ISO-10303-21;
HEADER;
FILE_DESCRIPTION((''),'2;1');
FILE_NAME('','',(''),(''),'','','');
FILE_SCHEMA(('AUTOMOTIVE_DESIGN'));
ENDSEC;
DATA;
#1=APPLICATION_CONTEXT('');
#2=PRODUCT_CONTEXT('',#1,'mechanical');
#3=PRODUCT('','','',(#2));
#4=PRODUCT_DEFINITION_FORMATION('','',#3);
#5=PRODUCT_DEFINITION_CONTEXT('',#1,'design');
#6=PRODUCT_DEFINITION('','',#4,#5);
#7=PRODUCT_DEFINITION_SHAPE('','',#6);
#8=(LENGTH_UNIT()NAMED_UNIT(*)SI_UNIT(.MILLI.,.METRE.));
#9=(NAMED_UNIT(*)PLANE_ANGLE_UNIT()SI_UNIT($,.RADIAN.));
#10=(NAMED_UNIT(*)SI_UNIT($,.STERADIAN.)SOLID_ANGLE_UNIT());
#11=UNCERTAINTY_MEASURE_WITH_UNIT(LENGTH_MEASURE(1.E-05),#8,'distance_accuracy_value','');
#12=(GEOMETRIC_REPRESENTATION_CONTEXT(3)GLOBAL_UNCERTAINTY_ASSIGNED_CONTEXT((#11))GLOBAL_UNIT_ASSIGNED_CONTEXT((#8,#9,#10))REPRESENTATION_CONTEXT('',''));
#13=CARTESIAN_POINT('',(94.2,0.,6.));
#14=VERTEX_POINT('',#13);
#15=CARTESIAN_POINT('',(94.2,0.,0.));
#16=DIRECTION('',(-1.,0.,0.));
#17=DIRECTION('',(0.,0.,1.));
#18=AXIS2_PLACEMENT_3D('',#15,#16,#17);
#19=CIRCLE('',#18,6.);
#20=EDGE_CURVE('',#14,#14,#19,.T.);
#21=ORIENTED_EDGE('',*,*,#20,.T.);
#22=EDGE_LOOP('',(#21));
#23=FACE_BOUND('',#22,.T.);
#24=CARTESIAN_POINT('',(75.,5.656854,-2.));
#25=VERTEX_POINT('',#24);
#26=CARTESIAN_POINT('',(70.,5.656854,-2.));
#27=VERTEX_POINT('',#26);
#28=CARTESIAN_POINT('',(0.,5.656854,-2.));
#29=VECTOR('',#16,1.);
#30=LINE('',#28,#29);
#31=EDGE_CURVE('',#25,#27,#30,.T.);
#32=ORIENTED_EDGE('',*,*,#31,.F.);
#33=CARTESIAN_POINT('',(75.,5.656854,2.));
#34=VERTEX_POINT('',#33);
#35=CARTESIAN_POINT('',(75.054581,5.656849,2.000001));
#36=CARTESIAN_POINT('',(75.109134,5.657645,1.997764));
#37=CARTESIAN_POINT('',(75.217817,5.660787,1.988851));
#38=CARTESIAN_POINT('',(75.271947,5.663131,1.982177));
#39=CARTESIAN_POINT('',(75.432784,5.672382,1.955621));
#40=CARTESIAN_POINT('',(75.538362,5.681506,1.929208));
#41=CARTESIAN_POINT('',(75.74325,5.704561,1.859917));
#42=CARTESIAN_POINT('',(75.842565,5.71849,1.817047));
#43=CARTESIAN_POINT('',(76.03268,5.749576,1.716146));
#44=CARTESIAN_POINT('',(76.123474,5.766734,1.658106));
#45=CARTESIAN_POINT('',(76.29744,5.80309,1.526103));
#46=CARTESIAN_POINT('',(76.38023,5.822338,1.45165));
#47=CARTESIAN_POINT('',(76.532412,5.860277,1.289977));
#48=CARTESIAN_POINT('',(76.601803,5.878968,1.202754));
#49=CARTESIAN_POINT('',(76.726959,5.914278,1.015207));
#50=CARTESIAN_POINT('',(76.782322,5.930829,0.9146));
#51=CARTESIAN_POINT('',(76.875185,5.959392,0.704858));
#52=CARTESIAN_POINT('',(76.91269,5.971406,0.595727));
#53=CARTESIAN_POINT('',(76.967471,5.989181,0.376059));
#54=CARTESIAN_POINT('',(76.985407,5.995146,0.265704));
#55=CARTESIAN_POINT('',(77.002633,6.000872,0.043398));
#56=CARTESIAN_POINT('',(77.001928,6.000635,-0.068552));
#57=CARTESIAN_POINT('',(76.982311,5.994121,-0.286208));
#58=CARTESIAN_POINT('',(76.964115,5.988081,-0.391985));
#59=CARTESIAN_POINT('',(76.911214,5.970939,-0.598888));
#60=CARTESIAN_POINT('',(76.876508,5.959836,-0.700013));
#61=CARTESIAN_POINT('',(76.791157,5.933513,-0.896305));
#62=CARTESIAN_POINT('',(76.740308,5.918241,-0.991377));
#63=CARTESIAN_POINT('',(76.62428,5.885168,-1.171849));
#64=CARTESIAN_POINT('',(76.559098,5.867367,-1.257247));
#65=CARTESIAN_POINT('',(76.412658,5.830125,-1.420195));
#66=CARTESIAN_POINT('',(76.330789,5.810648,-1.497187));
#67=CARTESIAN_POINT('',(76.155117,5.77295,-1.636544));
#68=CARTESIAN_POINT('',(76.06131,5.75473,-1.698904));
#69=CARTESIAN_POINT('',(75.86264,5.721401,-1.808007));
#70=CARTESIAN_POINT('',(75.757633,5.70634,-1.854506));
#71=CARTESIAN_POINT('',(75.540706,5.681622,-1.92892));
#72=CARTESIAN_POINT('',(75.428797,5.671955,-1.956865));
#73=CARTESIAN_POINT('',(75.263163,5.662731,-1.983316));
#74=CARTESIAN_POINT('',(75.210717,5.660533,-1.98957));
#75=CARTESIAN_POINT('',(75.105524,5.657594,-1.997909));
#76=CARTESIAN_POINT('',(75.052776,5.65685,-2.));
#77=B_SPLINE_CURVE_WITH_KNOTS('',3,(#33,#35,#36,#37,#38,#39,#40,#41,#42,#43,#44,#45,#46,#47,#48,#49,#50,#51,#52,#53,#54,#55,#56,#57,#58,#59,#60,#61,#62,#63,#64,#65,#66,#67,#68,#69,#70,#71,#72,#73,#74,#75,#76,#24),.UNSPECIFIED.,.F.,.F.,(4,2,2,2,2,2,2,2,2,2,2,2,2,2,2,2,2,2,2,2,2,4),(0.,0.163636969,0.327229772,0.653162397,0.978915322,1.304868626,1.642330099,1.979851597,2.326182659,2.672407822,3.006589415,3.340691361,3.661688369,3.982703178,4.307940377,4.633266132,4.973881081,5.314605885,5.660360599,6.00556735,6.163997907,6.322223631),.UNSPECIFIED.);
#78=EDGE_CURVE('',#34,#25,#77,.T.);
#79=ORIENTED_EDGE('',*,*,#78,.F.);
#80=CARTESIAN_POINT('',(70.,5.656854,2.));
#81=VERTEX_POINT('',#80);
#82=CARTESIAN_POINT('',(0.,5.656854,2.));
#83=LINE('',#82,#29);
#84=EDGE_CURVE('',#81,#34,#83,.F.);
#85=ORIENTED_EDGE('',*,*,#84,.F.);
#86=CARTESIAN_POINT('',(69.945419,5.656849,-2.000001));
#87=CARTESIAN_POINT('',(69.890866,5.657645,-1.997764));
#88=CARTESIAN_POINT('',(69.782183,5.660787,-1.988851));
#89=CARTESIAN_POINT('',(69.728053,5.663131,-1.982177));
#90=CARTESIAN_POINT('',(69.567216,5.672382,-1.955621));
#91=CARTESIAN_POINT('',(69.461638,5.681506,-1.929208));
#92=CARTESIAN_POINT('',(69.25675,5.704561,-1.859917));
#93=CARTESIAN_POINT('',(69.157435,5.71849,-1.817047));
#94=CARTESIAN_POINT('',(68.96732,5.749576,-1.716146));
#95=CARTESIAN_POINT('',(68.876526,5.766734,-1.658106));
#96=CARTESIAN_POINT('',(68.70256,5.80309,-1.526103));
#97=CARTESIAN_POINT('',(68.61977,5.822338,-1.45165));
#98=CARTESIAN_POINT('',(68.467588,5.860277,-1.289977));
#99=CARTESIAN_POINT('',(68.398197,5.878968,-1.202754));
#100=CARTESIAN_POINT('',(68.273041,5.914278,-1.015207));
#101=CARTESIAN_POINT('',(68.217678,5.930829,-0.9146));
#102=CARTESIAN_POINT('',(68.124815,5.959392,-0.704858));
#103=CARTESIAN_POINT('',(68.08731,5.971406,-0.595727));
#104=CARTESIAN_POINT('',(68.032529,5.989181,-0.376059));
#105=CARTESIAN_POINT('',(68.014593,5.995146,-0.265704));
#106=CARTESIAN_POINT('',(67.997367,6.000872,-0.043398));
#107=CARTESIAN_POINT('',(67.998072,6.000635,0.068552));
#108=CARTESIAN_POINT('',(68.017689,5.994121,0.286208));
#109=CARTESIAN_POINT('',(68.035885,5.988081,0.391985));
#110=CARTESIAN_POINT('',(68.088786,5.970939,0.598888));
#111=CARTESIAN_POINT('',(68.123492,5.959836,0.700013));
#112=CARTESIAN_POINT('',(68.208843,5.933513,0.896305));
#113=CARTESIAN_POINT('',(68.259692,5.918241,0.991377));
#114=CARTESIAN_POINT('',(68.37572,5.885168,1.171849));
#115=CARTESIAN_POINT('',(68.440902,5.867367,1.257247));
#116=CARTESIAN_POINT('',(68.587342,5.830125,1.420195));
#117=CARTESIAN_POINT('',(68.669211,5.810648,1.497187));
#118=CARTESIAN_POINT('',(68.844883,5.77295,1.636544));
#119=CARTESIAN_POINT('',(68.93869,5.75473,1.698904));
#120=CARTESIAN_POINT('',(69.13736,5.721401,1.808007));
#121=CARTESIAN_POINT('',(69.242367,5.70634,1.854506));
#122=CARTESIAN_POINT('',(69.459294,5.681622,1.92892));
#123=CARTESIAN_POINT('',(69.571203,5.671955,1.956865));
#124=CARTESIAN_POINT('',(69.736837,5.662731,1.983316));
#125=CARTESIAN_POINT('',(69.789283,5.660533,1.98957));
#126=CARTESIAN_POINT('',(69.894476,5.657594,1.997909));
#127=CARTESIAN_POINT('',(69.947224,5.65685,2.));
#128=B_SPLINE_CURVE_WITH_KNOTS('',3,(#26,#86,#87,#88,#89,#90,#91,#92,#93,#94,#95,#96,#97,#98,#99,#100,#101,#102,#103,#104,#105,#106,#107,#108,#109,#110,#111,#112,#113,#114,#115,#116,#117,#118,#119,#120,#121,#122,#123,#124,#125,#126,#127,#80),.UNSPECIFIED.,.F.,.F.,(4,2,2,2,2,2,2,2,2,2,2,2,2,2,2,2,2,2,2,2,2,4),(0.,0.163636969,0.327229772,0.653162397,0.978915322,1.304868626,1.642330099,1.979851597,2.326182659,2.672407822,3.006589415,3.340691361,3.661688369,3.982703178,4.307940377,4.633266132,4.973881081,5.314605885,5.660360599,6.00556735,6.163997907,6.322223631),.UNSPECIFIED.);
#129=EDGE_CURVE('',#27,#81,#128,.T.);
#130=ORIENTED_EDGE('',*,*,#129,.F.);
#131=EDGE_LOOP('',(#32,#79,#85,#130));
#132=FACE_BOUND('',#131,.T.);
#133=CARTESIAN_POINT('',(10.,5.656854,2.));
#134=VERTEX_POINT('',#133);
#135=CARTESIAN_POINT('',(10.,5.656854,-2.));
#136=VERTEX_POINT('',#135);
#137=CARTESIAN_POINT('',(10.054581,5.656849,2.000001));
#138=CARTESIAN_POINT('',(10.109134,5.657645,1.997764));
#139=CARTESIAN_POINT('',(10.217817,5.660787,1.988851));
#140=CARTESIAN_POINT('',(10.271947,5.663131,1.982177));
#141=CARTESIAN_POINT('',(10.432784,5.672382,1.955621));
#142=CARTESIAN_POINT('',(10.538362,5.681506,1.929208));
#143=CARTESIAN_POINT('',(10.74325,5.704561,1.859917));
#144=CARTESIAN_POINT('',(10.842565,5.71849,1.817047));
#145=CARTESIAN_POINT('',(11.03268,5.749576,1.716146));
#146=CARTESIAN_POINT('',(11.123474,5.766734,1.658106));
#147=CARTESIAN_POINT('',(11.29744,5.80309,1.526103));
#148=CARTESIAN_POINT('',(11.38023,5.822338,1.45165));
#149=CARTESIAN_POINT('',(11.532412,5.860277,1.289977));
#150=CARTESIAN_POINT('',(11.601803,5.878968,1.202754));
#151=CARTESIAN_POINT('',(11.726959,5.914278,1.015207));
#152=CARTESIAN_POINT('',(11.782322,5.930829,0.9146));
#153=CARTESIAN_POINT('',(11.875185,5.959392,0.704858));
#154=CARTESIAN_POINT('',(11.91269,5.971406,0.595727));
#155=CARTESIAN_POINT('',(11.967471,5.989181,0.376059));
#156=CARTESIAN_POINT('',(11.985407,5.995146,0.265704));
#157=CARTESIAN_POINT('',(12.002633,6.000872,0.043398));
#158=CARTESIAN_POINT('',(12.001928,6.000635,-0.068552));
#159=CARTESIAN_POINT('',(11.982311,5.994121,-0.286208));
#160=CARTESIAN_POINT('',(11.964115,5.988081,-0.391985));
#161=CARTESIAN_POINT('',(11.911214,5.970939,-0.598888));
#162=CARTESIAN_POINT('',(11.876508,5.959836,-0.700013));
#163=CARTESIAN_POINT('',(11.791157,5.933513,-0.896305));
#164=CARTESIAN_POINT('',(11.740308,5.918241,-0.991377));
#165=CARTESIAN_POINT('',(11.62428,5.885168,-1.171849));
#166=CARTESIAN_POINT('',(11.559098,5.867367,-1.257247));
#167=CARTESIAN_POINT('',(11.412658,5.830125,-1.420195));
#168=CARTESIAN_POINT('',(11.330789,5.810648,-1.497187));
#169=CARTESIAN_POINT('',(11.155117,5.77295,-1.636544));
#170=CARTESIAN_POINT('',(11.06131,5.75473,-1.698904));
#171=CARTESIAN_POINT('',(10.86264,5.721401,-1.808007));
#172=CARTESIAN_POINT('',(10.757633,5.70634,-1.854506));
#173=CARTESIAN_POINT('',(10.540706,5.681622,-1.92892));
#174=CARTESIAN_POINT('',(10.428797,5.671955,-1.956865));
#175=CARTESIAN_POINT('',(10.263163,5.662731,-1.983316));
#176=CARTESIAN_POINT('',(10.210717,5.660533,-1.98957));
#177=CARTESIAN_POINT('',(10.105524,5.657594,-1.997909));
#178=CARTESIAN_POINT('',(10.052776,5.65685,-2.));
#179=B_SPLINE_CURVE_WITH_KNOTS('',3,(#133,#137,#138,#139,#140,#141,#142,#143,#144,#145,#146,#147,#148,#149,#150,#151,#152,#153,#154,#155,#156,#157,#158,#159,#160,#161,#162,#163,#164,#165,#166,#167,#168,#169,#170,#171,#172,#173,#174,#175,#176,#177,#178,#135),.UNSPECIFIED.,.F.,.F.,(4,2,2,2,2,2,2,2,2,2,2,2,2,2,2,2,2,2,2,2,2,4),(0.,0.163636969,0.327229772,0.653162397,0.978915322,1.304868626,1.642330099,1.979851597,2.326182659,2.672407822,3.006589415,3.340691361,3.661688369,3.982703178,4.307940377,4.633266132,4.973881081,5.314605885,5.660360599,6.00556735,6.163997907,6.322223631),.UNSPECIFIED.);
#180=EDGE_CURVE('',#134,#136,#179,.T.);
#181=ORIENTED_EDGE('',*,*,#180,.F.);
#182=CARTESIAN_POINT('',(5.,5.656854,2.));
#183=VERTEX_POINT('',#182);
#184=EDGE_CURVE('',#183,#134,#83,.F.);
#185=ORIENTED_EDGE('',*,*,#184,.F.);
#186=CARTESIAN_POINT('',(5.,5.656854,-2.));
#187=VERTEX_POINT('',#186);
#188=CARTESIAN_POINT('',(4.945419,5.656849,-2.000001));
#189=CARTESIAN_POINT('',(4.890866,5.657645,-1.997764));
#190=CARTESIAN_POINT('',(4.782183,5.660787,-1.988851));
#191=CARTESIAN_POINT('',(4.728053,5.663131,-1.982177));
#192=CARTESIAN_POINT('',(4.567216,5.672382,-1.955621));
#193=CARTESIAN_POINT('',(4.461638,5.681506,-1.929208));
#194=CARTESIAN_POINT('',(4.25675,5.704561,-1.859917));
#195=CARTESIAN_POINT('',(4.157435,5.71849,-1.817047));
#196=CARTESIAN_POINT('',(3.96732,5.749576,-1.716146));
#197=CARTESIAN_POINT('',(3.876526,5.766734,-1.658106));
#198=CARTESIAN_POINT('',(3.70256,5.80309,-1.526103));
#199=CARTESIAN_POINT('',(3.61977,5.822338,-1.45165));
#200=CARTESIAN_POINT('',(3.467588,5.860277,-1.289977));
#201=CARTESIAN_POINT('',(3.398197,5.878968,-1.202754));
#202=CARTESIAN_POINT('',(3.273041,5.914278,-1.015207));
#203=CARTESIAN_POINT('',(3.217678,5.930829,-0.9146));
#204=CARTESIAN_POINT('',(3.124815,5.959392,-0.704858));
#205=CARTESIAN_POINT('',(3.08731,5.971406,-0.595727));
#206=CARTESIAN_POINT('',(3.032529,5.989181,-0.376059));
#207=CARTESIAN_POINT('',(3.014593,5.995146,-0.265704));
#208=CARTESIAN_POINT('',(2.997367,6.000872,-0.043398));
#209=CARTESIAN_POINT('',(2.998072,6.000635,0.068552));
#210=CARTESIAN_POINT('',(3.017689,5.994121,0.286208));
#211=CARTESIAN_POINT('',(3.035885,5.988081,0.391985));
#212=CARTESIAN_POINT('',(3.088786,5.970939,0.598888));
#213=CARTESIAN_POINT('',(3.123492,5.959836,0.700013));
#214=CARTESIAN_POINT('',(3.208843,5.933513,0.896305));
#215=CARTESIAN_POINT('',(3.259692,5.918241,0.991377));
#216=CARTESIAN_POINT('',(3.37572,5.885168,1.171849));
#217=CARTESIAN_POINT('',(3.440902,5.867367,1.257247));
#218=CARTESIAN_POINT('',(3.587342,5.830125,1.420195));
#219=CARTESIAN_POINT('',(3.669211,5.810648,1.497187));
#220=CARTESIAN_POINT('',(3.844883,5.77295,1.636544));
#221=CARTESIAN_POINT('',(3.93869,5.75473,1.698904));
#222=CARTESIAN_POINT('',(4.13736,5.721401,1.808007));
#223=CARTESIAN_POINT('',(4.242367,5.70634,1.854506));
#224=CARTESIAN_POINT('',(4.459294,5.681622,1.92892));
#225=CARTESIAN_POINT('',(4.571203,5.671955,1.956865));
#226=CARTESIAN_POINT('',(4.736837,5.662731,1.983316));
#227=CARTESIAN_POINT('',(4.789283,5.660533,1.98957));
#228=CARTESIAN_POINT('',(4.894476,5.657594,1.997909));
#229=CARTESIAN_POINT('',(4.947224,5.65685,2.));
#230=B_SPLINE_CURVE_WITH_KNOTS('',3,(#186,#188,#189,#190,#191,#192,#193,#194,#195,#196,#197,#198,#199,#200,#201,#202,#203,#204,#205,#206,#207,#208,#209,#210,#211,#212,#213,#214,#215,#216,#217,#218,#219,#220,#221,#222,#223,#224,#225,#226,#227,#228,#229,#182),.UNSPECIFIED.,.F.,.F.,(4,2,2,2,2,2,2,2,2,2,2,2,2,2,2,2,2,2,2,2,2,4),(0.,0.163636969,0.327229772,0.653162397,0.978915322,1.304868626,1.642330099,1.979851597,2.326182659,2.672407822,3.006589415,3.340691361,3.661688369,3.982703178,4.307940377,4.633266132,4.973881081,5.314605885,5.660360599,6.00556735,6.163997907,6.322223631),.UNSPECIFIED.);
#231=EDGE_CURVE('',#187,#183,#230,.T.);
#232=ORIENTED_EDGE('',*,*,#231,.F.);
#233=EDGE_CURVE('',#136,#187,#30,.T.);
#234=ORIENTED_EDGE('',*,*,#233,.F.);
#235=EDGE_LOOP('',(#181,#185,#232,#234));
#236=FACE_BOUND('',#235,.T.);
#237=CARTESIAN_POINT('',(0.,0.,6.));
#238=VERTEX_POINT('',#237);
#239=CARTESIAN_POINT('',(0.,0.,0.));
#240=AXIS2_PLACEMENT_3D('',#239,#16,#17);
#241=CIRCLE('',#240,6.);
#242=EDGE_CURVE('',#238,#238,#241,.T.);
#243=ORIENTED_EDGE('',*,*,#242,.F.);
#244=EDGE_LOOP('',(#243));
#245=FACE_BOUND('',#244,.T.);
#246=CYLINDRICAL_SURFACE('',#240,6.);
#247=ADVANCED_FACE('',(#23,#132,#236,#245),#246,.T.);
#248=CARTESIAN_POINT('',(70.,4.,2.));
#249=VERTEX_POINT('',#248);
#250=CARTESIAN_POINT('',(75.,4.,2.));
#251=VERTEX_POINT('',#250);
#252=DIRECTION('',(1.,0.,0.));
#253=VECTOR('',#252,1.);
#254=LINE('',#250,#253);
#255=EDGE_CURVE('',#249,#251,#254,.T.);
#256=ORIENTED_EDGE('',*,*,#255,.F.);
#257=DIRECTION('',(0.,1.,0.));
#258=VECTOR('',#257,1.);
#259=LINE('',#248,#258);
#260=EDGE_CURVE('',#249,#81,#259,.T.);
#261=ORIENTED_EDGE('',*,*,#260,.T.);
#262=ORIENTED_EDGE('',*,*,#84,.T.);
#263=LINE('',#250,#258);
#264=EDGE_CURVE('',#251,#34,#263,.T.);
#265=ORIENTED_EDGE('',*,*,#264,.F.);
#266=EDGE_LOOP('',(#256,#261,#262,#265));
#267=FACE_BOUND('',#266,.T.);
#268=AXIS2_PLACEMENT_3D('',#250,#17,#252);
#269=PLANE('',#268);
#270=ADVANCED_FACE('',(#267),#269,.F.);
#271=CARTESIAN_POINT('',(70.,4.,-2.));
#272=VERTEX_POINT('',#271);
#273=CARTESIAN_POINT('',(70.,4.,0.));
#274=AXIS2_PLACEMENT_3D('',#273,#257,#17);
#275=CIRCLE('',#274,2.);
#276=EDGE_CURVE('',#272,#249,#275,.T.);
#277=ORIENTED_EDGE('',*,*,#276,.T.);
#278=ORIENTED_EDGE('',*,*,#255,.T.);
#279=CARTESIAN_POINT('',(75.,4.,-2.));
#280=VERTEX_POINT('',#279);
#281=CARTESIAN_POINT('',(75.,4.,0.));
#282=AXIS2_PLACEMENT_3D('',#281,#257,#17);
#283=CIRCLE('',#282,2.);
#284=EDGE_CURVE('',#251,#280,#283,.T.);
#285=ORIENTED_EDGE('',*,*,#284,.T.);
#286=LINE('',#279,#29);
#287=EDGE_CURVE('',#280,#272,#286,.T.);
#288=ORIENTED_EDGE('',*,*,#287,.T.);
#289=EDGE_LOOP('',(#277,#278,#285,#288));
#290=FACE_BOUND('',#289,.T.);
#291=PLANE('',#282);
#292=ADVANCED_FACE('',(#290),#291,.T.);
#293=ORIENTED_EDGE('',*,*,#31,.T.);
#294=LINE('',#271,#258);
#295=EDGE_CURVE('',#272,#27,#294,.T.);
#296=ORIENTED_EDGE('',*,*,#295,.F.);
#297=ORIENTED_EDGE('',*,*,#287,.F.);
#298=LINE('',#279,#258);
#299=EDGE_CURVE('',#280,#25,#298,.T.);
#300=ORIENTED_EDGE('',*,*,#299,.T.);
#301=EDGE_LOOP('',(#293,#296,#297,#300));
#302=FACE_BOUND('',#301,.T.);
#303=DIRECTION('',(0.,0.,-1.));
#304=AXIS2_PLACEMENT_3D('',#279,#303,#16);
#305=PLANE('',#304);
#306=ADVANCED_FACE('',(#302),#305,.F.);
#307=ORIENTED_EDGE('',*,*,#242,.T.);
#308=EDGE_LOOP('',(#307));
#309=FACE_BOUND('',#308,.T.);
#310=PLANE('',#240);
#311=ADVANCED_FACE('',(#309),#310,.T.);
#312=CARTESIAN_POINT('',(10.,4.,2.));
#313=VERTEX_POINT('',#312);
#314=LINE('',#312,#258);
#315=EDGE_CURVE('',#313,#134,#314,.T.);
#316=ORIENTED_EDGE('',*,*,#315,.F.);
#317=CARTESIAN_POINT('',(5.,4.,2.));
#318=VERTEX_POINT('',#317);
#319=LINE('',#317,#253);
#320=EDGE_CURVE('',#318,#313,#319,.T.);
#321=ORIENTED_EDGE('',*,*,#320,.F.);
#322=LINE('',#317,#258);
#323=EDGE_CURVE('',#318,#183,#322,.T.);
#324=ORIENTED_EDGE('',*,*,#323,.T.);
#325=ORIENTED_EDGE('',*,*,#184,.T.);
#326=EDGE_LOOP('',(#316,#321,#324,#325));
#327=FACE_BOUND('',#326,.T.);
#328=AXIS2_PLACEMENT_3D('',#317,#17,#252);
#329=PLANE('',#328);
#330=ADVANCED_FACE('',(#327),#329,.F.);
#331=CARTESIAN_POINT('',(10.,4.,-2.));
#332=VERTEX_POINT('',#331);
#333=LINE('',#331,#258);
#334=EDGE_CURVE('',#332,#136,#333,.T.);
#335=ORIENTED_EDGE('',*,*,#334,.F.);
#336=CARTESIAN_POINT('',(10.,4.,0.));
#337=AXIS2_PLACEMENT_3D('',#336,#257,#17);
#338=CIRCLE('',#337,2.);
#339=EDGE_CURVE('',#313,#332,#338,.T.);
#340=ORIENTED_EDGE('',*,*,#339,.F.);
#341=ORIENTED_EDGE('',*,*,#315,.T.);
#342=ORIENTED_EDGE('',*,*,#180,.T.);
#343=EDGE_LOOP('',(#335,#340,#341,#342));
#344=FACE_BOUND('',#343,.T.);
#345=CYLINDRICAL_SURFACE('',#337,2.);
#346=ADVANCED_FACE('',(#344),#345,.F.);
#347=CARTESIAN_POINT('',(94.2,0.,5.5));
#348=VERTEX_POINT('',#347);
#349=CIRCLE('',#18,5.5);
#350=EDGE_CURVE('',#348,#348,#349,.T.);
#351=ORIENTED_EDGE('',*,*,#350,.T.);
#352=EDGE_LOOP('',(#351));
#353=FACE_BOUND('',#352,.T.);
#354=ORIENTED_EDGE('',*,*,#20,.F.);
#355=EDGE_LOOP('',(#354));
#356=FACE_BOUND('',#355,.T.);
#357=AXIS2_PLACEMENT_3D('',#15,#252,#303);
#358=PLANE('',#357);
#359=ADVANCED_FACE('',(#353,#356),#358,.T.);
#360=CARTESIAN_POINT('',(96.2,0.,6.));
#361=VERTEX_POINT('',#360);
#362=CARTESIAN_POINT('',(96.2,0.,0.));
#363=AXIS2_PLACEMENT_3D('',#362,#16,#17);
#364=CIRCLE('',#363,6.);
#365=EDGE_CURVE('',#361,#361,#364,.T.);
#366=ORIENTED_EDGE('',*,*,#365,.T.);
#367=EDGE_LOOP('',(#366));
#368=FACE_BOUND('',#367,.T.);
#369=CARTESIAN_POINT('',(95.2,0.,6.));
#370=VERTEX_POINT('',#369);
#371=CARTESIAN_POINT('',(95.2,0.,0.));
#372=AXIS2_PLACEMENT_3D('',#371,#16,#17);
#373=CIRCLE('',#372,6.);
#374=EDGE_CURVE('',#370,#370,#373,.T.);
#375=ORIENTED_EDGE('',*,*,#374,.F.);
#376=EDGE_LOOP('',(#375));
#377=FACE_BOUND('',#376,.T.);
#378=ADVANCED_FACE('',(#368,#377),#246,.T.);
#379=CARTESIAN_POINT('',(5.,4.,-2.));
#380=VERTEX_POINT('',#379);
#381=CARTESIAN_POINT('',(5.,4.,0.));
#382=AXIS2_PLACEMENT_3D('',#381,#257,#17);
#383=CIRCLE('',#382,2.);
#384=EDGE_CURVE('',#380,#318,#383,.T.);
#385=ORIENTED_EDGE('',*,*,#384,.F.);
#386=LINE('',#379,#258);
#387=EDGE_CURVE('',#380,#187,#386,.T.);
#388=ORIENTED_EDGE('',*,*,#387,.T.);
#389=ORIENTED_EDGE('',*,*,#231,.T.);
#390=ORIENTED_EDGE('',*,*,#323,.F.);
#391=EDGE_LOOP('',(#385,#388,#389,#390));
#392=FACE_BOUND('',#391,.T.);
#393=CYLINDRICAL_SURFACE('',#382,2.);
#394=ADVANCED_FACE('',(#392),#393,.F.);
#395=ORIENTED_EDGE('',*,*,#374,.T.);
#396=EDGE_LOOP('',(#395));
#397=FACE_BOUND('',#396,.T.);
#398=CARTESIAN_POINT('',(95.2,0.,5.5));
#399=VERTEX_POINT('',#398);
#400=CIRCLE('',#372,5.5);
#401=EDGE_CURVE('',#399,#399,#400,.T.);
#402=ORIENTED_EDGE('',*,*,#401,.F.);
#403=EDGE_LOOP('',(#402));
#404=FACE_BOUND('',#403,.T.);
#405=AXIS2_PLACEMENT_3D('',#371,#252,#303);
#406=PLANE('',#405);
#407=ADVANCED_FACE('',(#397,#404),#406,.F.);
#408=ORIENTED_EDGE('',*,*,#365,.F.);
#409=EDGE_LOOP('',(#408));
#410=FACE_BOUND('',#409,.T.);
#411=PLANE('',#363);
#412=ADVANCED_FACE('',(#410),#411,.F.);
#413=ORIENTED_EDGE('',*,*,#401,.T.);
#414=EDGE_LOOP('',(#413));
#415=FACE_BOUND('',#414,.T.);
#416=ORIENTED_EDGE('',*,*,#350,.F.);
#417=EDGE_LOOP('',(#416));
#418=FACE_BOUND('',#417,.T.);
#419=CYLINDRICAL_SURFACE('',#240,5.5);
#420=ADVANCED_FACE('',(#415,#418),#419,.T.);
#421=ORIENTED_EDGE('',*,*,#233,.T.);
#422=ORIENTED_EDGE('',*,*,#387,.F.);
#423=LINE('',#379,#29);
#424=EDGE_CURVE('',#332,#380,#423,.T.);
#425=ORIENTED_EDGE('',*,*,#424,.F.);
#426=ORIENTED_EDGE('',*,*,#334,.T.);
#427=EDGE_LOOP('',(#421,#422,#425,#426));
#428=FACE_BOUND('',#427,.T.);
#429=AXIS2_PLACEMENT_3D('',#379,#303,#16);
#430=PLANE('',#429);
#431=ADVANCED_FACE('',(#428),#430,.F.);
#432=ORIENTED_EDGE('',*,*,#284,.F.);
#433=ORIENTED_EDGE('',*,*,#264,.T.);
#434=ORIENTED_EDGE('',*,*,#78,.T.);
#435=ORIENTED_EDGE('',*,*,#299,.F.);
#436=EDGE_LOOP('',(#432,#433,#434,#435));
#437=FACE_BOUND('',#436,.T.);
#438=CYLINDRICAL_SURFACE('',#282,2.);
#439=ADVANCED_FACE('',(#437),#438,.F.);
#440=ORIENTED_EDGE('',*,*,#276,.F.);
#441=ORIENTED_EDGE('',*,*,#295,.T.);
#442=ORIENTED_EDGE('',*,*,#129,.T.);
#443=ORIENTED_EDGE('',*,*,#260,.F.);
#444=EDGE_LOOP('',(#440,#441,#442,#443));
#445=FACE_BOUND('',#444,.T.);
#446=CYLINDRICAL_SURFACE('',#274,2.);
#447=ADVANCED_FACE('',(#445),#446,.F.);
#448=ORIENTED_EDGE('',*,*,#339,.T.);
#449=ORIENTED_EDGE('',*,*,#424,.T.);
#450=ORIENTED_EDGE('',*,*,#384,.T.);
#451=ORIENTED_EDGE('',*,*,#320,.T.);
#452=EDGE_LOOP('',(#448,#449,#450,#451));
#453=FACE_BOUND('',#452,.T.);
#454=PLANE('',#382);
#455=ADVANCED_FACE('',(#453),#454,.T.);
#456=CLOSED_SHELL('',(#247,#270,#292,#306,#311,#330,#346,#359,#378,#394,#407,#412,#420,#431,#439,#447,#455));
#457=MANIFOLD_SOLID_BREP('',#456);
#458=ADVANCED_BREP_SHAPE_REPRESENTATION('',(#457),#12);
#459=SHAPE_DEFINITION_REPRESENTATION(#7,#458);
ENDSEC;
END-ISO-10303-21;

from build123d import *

# Parameters (mm, degrees)
CUT_EXTRUDE_1_DEPTH = 2


with BuildPart() as part:
    # ｽｹｯﾁ2 → 回転1 (revolve)
    with BuildSketch(Plane.XY, mode=Mode.PRIVATE) as revolve_1_sk:
        Polygon((0, 6), (0, 0), (96.2, 0), (96.2, 6), (95.2, 6), (95.2, 5.5), (94.2, 5.5), (94.2, 6), (2, 6), (1, 6), align=None)
    revolve(revolve_1_sk.sketch.rotate(Axis((0, 0, 0), (1, 0, 0)), 90), axis=Axis((0, 0, 0), (1, 0, 0)))

    # ｽｹｯﾁ4 → ｶｯﾄ - 押し出し1 (cut)
    with BuildSketch(Plane(origin=(0, 6, 0), x_dir=(1, 0, 0), z_dir=(0, 1, 0))):
        with BuildLine():
            Line((5, 2), (10, 2))
            ThreePointArc((10, 2), (12, 0), (10, -2))
            Line((10, -2), (5, -2))
            ThreePointArc((5, -2), (3, 0), (5, 2))
        make_face()
        with BuildLine():
            Line((75, -2), (70, -2))
            ThreePointArc((70, -2), (68, 0), (70, 2))
            Line((70, 2), (75, 2))
            ThreePointArc((75, 2), (77, 0), (75, -2))
        make_face()
    extrude(amount=-CUT_EXTRUDE_1_DEPTH, mode=Mode.SUBTRACT)


solid = part.part
